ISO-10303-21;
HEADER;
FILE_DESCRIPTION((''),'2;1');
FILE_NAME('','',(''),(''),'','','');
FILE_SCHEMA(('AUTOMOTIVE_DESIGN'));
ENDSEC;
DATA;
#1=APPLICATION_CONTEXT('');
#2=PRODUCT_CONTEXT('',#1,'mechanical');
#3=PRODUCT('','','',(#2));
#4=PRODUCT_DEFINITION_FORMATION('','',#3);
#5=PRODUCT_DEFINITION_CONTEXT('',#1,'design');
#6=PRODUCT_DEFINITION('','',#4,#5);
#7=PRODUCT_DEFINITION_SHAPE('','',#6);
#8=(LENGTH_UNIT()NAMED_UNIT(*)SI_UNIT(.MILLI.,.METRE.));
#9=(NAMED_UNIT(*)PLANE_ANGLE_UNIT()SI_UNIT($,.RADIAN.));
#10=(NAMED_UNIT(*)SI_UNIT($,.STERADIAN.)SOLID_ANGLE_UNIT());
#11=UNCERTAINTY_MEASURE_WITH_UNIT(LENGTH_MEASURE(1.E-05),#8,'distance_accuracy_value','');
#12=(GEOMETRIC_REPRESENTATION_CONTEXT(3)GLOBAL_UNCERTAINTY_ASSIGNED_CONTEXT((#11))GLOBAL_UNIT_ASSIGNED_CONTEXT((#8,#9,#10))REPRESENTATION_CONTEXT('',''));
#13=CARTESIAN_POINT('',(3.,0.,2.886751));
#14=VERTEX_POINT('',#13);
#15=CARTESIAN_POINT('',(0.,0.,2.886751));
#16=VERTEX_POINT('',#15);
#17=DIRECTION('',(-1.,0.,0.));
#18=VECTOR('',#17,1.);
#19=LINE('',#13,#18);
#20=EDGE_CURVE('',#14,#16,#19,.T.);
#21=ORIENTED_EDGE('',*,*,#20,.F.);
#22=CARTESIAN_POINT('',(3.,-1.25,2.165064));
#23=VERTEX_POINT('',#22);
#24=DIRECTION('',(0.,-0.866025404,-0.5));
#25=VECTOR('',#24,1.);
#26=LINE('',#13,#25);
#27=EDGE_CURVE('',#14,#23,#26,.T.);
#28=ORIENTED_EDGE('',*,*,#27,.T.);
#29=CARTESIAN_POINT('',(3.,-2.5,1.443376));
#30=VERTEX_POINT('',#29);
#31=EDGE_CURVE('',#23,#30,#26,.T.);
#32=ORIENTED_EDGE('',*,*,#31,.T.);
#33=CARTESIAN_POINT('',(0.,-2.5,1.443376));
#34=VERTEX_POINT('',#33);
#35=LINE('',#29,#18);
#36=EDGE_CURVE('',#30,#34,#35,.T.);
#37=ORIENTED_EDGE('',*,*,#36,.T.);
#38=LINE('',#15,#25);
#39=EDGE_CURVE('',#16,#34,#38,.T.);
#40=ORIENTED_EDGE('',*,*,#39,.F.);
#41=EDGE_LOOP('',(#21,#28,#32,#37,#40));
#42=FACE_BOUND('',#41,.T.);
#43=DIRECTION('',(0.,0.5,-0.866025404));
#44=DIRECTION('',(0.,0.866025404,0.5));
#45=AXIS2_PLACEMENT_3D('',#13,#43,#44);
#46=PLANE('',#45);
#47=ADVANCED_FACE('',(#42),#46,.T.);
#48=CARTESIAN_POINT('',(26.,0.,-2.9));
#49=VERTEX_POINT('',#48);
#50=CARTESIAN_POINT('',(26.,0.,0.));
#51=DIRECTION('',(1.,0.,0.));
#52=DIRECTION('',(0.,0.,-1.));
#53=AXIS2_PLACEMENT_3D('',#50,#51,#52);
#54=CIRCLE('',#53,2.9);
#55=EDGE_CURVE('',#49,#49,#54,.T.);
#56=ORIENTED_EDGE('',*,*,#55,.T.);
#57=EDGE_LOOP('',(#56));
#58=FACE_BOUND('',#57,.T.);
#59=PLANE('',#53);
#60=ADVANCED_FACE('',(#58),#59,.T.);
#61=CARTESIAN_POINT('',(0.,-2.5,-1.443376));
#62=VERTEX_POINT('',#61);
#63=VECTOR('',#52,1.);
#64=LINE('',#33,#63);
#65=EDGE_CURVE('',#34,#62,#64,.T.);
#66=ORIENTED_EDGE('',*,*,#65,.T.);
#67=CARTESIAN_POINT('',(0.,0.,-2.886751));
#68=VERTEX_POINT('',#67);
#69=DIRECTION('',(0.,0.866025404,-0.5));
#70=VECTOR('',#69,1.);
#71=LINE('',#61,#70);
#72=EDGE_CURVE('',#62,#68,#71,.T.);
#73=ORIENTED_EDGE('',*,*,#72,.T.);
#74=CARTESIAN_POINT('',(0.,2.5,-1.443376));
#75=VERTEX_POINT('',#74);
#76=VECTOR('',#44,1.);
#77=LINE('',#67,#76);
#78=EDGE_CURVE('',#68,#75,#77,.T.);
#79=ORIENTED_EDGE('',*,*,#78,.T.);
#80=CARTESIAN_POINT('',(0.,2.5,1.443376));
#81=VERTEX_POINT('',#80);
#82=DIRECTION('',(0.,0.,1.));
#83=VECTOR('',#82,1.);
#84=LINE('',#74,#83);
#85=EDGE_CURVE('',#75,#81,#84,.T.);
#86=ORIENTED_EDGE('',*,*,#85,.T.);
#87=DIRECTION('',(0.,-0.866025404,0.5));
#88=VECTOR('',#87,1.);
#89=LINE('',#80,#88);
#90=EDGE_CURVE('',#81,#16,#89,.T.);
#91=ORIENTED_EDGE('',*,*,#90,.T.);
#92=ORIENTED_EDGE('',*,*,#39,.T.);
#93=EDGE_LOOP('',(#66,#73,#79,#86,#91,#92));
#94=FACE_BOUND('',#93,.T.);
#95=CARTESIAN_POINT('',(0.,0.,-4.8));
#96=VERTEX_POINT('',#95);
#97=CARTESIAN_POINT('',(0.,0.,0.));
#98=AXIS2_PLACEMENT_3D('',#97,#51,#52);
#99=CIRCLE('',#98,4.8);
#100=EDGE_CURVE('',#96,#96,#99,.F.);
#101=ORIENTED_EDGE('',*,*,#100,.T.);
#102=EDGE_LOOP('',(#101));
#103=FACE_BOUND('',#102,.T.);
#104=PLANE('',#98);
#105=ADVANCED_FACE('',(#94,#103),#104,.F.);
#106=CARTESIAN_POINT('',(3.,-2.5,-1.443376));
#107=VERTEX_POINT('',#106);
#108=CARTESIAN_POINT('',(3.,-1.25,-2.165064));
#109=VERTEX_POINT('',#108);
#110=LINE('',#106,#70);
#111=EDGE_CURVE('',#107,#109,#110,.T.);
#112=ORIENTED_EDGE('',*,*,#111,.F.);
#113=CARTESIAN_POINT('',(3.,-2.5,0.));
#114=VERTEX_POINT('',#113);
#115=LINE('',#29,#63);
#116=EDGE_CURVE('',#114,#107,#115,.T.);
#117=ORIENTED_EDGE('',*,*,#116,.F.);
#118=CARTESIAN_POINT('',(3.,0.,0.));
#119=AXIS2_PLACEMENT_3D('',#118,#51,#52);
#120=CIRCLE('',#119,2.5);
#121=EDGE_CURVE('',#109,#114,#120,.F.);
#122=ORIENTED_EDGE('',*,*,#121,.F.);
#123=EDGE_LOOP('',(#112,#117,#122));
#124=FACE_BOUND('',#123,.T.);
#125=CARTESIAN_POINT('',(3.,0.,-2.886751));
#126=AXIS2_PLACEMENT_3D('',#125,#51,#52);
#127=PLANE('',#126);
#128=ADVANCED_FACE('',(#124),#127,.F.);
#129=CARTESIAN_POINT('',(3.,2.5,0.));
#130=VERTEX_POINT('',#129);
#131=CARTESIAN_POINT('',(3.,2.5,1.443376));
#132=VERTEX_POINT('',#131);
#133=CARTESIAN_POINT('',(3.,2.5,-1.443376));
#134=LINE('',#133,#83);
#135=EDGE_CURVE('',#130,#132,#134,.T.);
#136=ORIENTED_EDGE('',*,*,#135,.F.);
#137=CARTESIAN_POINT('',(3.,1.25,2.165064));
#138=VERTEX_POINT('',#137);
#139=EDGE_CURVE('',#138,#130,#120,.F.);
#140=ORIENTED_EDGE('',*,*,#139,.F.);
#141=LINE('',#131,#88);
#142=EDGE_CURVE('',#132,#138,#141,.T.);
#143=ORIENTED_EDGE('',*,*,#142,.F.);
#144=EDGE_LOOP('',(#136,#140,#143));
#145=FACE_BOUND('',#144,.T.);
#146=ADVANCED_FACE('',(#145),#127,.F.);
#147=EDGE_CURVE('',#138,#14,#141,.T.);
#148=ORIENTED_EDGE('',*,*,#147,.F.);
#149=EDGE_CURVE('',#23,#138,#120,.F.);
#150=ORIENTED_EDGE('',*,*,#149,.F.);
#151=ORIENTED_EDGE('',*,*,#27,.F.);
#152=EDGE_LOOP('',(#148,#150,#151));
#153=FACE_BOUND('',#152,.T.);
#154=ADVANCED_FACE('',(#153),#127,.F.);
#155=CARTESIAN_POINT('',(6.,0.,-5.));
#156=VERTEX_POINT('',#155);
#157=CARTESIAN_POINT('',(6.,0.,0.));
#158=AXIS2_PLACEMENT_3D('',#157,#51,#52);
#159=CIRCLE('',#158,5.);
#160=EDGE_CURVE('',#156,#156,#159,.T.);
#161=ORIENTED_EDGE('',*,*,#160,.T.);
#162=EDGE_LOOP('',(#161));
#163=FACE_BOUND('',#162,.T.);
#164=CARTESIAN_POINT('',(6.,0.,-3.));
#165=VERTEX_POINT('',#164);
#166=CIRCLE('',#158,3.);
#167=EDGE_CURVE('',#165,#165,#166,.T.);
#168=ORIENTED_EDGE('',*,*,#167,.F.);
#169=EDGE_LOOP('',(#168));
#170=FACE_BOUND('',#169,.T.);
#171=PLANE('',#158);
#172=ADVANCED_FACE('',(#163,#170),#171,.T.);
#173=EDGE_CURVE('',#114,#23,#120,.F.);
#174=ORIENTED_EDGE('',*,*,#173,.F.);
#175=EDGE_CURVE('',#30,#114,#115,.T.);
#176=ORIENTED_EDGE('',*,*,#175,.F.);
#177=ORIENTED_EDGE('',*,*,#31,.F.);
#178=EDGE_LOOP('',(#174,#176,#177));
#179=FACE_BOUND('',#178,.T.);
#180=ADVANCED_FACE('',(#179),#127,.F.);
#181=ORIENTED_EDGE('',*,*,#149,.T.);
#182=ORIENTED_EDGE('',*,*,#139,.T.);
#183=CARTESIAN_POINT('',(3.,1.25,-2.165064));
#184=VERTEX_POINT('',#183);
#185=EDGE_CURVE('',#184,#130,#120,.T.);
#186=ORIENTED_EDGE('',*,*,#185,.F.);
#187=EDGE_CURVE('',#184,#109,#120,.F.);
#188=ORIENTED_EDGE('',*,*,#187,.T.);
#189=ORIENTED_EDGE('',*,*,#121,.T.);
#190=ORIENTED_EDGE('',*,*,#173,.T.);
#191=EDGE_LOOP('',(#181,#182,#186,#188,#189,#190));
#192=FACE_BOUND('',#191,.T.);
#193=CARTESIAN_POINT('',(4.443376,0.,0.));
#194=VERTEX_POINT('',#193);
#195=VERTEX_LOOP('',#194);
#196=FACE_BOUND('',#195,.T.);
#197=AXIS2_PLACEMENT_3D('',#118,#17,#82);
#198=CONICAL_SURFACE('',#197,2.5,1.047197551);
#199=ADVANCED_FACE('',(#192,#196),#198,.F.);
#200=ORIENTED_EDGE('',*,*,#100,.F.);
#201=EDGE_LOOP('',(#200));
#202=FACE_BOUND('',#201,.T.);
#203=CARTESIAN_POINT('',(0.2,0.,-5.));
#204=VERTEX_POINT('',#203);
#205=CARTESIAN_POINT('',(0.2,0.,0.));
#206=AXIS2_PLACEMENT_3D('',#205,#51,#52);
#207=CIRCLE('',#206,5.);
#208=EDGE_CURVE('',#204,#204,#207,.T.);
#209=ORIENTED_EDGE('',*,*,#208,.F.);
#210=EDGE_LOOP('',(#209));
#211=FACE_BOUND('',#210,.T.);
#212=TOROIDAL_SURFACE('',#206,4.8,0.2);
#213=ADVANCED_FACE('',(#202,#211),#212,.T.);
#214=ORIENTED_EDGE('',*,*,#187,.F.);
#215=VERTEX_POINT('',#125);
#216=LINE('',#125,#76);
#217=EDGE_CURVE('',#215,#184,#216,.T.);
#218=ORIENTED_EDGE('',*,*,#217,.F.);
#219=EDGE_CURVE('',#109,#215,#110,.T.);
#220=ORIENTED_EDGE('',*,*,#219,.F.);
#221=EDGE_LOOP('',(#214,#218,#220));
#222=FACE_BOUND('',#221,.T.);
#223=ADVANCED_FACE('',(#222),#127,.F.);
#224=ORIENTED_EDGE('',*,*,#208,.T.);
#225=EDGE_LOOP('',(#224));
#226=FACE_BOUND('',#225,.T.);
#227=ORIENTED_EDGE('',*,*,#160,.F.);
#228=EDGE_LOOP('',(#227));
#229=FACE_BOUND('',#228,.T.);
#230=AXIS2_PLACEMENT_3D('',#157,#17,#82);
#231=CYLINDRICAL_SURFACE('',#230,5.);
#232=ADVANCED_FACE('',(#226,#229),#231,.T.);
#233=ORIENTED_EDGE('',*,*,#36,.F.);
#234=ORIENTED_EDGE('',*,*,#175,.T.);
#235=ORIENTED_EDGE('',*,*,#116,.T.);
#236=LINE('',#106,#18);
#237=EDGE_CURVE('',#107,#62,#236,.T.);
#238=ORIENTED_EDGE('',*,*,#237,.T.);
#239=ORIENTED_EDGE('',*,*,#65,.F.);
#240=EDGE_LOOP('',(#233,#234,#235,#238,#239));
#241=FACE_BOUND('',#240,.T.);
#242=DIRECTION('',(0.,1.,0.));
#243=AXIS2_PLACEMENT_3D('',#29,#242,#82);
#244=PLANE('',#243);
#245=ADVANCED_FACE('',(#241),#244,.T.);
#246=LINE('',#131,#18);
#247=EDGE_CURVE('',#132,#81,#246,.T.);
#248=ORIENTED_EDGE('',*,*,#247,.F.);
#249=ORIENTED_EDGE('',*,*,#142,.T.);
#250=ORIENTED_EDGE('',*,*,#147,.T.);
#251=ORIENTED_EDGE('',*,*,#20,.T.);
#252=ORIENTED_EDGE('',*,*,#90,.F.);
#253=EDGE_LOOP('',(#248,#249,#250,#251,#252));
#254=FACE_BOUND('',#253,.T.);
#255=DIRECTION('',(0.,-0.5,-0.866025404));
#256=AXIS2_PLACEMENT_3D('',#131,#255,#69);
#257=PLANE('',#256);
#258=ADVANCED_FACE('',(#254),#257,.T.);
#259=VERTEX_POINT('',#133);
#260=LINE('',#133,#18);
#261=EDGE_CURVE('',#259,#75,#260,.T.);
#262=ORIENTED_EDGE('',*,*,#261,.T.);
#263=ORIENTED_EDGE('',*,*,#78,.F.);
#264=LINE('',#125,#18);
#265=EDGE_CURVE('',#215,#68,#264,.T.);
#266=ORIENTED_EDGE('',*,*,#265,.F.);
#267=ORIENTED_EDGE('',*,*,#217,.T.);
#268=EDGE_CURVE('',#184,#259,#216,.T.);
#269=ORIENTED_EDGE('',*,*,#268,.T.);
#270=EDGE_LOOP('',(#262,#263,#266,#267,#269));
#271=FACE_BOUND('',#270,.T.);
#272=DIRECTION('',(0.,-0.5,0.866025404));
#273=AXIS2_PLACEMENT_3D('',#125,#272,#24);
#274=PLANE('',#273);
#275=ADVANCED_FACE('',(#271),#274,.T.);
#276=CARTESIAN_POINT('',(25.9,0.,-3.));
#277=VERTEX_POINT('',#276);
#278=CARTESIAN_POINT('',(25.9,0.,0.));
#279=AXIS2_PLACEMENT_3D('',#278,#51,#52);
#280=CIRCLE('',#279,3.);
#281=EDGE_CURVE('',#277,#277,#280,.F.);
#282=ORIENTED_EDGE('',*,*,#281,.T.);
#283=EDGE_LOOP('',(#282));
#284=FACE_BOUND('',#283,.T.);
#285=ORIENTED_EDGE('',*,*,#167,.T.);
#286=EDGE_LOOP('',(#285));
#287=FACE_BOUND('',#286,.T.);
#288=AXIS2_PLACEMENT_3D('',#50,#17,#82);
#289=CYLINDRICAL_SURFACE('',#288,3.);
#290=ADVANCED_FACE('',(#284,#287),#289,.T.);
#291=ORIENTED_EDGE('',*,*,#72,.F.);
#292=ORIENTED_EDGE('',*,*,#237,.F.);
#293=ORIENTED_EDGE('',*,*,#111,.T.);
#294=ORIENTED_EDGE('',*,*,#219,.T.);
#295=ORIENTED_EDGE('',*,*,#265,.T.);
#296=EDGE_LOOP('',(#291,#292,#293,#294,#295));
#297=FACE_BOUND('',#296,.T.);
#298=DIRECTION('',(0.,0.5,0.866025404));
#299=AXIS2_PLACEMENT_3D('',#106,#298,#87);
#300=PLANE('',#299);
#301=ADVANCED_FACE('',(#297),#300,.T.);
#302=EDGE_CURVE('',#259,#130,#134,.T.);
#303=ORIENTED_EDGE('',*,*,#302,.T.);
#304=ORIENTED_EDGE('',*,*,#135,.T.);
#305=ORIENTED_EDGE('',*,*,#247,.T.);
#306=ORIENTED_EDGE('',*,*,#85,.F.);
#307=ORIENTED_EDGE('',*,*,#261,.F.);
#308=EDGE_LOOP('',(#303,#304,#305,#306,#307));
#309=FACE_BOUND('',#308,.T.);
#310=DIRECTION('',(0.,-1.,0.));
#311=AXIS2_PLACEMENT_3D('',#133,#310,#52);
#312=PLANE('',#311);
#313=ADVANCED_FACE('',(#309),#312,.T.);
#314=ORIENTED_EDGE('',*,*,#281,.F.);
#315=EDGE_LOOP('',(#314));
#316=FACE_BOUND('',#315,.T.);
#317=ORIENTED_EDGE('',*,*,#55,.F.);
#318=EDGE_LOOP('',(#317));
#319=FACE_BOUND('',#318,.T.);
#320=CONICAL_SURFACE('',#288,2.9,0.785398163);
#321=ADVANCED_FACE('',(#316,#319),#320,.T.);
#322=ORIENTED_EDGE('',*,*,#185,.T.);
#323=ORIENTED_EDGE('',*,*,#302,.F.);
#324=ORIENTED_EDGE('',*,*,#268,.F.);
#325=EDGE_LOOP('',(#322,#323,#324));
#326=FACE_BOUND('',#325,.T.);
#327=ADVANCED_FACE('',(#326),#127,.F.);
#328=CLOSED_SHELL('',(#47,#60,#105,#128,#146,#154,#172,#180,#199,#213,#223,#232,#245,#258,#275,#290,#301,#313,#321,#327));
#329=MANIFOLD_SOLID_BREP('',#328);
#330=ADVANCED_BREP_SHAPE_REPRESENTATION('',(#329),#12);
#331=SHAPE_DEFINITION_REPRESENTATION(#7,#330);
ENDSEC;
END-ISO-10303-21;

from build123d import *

# Parameters (mm, degrees)
SKETCH1_R           = 5
BASEHEAD_DEPTH      = 6
SKETCH2_R           = 3
BASEBODY_DEPTH      = 20
HEXAGONSOCKET_DEPTH = 3
TOPFILLET_R         = 0.2
CHAMFER1_SIZE       = 0.1


with BuildPart() as part:
    # Sketch1 → BaseHead (new body)
    with BuildSketch(Plane(origin=(0, 0, 0), x_dir=(0, 0, -1), z_dir=(1, 0, 0))):
        Circle(SKETCH1_R)
    extrude(amount=BASEHEAD_DEPTH)

    # Sketch2 → BaseBody (add)
    with BuildSketch(Plane(origin=(6, 0, 0), x_dir=(0, 0, -1), z_dir=(1, 0, 0))):
        Circle(SKETCH2_R)
    extrude(amount=BASEBODY_DEPTH)

    # Sketch3 → HexagonSocket (cut)
    with BuildSketch(Plane(origin=(0, 0, 0), x_dir=(0, 0, -1), z_dir=(1, 0, 0))):
        Polygon((2.886751346, 0), (1.443375673, 2.5), (-1.443375673, 2.5), (-2.886751346, 0), (-1.443375673, -2.5), (1.443375673, -2.5), align=None)
    extrude(amount=HEXAGONSOCKET_DEPTH, mode=Mode.SUBTRACT)

    # Sketch4 → Cut-Revolve1 (revolve, cut)
    with BuildSketch(Plane(origin=(-4.19613823, 0.75, 0), x_dir=(-1, 0, 0), z_dir=(0, 0, 1))):
        Polygon((-7.19613823, 3.25), (-8.639513903, 0.75), (-7.19613823, 0.75), align=None)
    revolve(axis=Axis((0.838992387, 0, 0), (-1, 0, 0)), mode=Mode.SUBTRACT)

    # TopFillet
    topfillet_edges = [part.edges().sort_by_distance(p)[0] for p in [
        (0, 0, 5),
    ]]
    fillet(topfillet_edges, radius=TOPFILLET_R)

    # Chamfer1
    chamfer1_edges = [part.edges().sort_by_distance(p)[0] for p in [
        (26, 0, 3),
    ]]
    chamfer(chamfer1_edges, length=CHAMFER1_SIZE)


solid = part.part
